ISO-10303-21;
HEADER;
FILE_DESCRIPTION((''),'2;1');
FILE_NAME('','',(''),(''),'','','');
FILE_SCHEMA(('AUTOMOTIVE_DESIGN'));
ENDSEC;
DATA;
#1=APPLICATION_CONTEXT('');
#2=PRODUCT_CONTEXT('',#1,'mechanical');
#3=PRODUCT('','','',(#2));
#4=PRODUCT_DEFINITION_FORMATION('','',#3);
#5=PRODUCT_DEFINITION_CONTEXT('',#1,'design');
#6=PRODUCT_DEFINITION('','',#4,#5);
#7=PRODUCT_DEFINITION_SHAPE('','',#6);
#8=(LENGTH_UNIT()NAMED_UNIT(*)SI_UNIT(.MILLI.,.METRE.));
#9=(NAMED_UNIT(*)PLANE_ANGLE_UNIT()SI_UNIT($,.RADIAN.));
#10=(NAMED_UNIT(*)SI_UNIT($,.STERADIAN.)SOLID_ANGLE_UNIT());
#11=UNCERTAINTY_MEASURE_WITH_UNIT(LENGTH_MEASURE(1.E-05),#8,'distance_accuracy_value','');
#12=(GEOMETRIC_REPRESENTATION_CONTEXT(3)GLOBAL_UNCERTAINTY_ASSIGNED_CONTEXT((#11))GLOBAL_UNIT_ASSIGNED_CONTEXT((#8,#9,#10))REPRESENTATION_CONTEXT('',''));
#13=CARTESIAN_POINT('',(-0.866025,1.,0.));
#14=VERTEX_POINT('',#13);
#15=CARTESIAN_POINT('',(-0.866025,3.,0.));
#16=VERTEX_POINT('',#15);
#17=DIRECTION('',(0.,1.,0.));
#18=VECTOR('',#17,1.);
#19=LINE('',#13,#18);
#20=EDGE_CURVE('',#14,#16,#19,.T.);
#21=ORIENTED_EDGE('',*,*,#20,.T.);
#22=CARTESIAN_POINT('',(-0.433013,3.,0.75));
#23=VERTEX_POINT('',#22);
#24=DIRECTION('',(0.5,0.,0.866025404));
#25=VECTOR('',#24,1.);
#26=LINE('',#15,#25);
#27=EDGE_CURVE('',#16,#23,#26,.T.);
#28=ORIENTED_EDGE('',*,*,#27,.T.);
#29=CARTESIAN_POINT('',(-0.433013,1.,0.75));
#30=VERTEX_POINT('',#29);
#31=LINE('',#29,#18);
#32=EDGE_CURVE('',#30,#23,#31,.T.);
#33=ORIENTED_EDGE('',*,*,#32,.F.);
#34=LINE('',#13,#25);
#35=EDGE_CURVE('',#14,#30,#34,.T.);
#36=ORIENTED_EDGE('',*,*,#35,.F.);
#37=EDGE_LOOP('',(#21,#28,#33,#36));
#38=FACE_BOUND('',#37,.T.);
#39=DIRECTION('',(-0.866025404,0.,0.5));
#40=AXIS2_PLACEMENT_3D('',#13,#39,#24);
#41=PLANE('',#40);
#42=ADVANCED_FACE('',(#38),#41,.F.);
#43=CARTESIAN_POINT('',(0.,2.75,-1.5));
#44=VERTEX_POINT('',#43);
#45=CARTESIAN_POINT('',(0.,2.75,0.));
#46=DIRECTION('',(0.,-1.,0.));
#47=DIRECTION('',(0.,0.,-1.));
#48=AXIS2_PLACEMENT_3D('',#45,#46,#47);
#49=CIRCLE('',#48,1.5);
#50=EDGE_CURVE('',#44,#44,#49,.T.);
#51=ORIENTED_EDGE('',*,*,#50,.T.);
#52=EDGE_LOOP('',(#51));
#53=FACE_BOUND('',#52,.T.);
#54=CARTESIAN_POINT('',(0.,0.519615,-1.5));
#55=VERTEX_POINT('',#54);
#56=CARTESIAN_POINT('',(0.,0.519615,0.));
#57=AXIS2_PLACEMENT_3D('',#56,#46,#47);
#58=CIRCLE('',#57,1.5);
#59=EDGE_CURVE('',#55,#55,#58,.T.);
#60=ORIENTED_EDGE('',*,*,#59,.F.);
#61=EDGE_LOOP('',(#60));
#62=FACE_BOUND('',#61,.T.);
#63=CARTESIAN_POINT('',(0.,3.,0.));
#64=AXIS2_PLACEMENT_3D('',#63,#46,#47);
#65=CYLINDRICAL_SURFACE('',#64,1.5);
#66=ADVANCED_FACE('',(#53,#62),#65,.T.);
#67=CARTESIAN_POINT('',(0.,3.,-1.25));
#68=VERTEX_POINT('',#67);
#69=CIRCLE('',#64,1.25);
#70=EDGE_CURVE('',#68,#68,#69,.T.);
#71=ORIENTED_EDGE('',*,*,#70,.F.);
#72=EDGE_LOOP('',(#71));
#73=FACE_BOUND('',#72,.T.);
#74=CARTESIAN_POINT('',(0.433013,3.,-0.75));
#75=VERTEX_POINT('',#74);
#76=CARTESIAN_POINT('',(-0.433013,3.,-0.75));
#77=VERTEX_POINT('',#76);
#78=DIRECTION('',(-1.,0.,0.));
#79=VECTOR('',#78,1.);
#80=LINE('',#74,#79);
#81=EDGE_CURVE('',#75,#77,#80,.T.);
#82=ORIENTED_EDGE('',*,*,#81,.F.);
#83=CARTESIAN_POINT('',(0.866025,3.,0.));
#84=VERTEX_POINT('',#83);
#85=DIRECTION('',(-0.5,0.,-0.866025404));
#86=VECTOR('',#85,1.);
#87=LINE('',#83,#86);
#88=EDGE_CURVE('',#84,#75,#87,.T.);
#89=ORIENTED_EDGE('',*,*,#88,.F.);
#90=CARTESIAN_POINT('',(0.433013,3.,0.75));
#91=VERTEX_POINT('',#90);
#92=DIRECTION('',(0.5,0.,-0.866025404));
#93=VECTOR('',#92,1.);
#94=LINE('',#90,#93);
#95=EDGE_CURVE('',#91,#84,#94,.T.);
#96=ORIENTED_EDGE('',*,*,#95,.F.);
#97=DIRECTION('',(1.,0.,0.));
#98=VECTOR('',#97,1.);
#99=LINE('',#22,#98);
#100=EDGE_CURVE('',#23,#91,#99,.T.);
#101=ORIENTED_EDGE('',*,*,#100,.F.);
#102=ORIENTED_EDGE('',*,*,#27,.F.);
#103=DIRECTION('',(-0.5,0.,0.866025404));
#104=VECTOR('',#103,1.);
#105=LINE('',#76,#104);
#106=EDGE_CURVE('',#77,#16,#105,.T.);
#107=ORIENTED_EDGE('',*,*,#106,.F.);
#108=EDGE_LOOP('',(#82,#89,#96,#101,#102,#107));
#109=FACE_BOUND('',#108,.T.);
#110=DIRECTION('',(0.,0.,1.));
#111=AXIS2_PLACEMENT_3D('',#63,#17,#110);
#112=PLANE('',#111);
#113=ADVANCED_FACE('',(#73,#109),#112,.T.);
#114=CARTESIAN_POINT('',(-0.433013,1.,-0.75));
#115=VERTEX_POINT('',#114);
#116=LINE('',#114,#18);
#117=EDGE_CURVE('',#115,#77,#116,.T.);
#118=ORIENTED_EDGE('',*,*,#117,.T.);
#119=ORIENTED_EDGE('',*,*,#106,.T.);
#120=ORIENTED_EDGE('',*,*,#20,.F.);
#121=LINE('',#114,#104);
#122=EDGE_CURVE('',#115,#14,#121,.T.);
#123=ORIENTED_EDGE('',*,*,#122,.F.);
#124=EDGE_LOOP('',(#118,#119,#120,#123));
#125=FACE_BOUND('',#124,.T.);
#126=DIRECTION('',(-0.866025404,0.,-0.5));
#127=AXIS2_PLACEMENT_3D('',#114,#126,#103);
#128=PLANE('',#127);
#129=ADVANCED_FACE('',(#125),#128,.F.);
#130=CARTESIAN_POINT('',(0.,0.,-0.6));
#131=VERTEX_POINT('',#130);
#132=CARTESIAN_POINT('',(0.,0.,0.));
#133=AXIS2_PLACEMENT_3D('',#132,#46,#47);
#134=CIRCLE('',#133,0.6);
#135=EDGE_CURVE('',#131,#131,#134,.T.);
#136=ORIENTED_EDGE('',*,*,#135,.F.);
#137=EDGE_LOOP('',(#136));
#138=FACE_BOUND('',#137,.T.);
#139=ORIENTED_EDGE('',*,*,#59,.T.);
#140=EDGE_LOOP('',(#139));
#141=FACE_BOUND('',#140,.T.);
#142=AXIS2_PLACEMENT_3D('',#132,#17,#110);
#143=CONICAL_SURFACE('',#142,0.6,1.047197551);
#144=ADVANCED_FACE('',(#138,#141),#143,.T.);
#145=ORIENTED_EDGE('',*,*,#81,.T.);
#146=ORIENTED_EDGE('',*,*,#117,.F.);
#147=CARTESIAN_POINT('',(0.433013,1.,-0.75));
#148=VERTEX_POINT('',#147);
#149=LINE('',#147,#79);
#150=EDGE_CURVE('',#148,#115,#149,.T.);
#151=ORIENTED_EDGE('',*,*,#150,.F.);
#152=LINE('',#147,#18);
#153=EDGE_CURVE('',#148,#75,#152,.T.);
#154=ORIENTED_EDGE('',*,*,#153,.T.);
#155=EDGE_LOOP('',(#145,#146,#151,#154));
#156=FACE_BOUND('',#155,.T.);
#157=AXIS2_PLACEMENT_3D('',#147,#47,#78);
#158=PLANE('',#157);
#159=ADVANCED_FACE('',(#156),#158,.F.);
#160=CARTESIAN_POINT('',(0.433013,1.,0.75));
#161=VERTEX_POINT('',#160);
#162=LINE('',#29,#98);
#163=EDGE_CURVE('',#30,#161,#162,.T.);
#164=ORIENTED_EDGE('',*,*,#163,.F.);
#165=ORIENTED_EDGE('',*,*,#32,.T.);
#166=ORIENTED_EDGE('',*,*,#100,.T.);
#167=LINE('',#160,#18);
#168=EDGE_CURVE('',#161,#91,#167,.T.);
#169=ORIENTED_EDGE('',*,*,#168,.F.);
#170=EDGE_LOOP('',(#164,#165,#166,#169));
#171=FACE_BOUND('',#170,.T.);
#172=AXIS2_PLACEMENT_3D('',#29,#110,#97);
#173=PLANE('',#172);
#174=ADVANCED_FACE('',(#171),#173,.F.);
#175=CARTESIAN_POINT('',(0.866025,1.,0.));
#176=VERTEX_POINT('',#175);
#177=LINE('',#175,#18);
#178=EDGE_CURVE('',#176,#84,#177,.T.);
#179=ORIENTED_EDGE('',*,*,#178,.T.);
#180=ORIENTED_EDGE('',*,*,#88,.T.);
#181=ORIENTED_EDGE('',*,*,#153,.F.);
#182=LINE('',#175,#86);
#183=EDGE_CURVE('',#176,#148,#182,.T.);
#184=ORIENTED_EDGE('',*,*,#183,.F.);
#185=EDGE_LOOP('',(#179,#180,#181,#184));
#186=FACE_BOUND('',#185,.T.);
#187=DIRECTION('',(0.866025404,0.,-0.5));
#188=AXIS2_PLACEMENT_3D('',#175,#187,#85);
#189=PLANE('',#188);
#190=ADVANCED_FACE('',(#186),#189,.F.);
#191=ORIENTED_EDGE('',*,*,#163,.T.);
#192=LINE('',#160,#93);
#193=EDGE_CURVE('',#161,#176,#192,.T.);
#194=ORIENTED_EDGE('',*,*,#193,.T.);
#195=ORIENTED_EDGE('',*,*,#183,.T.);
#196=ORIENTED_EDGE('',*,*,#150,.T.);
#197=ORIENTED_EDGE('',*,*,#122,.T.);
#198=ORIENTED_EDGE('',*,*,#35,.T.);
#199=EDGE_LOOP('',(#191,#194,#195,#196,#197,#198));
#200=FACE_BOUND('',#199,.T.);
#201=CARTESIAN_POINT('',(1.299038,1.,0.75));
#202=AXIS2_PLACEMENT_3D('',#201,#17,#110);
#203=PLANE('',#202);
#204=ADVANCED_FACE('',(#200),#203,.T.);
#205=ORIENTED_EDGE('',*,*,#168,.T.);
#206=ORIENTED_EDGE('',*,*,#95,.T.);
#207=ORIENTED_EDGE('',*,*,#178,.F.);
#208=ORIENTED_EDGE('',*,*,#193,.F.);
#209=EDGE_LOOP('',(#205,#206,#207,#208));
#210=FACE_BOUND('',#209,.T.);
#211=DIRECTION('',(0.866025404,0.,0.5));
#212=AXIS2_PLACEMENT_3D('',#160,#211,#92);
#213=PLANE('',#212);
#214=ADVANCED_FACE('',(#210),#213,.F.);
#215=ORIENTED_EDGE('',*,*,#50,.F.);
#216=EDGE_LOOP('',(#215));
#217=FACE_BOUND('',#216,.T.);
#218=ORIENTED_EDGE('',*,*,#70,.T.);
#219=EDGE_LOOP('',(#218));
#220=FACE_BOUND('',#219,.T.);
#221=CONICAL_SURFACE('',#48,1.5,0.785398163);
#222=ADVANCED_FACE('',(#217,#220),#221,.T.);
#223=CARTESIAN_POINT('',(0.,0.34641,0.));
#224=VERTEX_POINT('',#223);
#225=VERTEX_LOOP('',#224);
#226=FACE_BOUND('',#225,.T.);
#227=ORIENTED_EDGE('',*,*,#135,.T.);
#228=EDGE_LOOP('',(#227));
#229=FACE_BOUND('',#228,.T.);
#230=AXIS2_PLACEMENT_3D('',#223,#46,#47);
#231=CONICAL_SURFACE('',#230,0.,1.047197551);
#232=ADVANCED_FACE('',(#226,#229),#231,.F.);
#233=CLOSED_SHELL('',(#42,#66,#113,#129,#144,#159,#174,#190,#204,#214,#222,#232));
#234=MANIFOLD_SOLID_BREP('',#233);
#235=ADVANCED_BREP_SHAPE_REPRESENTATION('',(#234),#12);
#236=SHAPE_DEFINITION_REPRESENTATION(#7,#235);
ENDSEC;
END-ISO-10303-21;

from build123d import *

# Parameters (mm, degrees)
CUT_EXTRUDE1_DEPTH = 2


with BuildPart() as part:
    # Sketch1 → Base-Revolve (revolve)
    with BuildSketch(Plane.XY, mode=Mode.PRIVATE) as base_revolve_sk:
        Polygon((0, 0.346410162), (0, 3), (1.25, 3), (1.5, 2.75), (1.5, 0.519615242), (0.6, 0), align=None)
    revolve(base_revolve_sk.sketch.rotate(Axis((0, 3, 0), (0, 1, 0)), 90), axis=Axis((0, 3, 0), (0, 1, 0)))  # turned: the seam where the file's is

    # Sketch2 → Cut-Extrude1 (cut)
    with BuildSketch(Plane(origin=(0, 3, 0), x_dir=(-1, 0, 0), z_dir=(0, 1, 0))):
        Polygon((-0.433012702, 0.75), (-0.866025404, 0), (-0.433012702, -0.75), (0.433012702, -0.75), (0.866025404, 0), (0.433012702, 0.75), align=None)
    extrude(amount=-CUT_EXTRUDE1_DEPTH, mode=Mode.SUBTRACT)


solid = part.part
